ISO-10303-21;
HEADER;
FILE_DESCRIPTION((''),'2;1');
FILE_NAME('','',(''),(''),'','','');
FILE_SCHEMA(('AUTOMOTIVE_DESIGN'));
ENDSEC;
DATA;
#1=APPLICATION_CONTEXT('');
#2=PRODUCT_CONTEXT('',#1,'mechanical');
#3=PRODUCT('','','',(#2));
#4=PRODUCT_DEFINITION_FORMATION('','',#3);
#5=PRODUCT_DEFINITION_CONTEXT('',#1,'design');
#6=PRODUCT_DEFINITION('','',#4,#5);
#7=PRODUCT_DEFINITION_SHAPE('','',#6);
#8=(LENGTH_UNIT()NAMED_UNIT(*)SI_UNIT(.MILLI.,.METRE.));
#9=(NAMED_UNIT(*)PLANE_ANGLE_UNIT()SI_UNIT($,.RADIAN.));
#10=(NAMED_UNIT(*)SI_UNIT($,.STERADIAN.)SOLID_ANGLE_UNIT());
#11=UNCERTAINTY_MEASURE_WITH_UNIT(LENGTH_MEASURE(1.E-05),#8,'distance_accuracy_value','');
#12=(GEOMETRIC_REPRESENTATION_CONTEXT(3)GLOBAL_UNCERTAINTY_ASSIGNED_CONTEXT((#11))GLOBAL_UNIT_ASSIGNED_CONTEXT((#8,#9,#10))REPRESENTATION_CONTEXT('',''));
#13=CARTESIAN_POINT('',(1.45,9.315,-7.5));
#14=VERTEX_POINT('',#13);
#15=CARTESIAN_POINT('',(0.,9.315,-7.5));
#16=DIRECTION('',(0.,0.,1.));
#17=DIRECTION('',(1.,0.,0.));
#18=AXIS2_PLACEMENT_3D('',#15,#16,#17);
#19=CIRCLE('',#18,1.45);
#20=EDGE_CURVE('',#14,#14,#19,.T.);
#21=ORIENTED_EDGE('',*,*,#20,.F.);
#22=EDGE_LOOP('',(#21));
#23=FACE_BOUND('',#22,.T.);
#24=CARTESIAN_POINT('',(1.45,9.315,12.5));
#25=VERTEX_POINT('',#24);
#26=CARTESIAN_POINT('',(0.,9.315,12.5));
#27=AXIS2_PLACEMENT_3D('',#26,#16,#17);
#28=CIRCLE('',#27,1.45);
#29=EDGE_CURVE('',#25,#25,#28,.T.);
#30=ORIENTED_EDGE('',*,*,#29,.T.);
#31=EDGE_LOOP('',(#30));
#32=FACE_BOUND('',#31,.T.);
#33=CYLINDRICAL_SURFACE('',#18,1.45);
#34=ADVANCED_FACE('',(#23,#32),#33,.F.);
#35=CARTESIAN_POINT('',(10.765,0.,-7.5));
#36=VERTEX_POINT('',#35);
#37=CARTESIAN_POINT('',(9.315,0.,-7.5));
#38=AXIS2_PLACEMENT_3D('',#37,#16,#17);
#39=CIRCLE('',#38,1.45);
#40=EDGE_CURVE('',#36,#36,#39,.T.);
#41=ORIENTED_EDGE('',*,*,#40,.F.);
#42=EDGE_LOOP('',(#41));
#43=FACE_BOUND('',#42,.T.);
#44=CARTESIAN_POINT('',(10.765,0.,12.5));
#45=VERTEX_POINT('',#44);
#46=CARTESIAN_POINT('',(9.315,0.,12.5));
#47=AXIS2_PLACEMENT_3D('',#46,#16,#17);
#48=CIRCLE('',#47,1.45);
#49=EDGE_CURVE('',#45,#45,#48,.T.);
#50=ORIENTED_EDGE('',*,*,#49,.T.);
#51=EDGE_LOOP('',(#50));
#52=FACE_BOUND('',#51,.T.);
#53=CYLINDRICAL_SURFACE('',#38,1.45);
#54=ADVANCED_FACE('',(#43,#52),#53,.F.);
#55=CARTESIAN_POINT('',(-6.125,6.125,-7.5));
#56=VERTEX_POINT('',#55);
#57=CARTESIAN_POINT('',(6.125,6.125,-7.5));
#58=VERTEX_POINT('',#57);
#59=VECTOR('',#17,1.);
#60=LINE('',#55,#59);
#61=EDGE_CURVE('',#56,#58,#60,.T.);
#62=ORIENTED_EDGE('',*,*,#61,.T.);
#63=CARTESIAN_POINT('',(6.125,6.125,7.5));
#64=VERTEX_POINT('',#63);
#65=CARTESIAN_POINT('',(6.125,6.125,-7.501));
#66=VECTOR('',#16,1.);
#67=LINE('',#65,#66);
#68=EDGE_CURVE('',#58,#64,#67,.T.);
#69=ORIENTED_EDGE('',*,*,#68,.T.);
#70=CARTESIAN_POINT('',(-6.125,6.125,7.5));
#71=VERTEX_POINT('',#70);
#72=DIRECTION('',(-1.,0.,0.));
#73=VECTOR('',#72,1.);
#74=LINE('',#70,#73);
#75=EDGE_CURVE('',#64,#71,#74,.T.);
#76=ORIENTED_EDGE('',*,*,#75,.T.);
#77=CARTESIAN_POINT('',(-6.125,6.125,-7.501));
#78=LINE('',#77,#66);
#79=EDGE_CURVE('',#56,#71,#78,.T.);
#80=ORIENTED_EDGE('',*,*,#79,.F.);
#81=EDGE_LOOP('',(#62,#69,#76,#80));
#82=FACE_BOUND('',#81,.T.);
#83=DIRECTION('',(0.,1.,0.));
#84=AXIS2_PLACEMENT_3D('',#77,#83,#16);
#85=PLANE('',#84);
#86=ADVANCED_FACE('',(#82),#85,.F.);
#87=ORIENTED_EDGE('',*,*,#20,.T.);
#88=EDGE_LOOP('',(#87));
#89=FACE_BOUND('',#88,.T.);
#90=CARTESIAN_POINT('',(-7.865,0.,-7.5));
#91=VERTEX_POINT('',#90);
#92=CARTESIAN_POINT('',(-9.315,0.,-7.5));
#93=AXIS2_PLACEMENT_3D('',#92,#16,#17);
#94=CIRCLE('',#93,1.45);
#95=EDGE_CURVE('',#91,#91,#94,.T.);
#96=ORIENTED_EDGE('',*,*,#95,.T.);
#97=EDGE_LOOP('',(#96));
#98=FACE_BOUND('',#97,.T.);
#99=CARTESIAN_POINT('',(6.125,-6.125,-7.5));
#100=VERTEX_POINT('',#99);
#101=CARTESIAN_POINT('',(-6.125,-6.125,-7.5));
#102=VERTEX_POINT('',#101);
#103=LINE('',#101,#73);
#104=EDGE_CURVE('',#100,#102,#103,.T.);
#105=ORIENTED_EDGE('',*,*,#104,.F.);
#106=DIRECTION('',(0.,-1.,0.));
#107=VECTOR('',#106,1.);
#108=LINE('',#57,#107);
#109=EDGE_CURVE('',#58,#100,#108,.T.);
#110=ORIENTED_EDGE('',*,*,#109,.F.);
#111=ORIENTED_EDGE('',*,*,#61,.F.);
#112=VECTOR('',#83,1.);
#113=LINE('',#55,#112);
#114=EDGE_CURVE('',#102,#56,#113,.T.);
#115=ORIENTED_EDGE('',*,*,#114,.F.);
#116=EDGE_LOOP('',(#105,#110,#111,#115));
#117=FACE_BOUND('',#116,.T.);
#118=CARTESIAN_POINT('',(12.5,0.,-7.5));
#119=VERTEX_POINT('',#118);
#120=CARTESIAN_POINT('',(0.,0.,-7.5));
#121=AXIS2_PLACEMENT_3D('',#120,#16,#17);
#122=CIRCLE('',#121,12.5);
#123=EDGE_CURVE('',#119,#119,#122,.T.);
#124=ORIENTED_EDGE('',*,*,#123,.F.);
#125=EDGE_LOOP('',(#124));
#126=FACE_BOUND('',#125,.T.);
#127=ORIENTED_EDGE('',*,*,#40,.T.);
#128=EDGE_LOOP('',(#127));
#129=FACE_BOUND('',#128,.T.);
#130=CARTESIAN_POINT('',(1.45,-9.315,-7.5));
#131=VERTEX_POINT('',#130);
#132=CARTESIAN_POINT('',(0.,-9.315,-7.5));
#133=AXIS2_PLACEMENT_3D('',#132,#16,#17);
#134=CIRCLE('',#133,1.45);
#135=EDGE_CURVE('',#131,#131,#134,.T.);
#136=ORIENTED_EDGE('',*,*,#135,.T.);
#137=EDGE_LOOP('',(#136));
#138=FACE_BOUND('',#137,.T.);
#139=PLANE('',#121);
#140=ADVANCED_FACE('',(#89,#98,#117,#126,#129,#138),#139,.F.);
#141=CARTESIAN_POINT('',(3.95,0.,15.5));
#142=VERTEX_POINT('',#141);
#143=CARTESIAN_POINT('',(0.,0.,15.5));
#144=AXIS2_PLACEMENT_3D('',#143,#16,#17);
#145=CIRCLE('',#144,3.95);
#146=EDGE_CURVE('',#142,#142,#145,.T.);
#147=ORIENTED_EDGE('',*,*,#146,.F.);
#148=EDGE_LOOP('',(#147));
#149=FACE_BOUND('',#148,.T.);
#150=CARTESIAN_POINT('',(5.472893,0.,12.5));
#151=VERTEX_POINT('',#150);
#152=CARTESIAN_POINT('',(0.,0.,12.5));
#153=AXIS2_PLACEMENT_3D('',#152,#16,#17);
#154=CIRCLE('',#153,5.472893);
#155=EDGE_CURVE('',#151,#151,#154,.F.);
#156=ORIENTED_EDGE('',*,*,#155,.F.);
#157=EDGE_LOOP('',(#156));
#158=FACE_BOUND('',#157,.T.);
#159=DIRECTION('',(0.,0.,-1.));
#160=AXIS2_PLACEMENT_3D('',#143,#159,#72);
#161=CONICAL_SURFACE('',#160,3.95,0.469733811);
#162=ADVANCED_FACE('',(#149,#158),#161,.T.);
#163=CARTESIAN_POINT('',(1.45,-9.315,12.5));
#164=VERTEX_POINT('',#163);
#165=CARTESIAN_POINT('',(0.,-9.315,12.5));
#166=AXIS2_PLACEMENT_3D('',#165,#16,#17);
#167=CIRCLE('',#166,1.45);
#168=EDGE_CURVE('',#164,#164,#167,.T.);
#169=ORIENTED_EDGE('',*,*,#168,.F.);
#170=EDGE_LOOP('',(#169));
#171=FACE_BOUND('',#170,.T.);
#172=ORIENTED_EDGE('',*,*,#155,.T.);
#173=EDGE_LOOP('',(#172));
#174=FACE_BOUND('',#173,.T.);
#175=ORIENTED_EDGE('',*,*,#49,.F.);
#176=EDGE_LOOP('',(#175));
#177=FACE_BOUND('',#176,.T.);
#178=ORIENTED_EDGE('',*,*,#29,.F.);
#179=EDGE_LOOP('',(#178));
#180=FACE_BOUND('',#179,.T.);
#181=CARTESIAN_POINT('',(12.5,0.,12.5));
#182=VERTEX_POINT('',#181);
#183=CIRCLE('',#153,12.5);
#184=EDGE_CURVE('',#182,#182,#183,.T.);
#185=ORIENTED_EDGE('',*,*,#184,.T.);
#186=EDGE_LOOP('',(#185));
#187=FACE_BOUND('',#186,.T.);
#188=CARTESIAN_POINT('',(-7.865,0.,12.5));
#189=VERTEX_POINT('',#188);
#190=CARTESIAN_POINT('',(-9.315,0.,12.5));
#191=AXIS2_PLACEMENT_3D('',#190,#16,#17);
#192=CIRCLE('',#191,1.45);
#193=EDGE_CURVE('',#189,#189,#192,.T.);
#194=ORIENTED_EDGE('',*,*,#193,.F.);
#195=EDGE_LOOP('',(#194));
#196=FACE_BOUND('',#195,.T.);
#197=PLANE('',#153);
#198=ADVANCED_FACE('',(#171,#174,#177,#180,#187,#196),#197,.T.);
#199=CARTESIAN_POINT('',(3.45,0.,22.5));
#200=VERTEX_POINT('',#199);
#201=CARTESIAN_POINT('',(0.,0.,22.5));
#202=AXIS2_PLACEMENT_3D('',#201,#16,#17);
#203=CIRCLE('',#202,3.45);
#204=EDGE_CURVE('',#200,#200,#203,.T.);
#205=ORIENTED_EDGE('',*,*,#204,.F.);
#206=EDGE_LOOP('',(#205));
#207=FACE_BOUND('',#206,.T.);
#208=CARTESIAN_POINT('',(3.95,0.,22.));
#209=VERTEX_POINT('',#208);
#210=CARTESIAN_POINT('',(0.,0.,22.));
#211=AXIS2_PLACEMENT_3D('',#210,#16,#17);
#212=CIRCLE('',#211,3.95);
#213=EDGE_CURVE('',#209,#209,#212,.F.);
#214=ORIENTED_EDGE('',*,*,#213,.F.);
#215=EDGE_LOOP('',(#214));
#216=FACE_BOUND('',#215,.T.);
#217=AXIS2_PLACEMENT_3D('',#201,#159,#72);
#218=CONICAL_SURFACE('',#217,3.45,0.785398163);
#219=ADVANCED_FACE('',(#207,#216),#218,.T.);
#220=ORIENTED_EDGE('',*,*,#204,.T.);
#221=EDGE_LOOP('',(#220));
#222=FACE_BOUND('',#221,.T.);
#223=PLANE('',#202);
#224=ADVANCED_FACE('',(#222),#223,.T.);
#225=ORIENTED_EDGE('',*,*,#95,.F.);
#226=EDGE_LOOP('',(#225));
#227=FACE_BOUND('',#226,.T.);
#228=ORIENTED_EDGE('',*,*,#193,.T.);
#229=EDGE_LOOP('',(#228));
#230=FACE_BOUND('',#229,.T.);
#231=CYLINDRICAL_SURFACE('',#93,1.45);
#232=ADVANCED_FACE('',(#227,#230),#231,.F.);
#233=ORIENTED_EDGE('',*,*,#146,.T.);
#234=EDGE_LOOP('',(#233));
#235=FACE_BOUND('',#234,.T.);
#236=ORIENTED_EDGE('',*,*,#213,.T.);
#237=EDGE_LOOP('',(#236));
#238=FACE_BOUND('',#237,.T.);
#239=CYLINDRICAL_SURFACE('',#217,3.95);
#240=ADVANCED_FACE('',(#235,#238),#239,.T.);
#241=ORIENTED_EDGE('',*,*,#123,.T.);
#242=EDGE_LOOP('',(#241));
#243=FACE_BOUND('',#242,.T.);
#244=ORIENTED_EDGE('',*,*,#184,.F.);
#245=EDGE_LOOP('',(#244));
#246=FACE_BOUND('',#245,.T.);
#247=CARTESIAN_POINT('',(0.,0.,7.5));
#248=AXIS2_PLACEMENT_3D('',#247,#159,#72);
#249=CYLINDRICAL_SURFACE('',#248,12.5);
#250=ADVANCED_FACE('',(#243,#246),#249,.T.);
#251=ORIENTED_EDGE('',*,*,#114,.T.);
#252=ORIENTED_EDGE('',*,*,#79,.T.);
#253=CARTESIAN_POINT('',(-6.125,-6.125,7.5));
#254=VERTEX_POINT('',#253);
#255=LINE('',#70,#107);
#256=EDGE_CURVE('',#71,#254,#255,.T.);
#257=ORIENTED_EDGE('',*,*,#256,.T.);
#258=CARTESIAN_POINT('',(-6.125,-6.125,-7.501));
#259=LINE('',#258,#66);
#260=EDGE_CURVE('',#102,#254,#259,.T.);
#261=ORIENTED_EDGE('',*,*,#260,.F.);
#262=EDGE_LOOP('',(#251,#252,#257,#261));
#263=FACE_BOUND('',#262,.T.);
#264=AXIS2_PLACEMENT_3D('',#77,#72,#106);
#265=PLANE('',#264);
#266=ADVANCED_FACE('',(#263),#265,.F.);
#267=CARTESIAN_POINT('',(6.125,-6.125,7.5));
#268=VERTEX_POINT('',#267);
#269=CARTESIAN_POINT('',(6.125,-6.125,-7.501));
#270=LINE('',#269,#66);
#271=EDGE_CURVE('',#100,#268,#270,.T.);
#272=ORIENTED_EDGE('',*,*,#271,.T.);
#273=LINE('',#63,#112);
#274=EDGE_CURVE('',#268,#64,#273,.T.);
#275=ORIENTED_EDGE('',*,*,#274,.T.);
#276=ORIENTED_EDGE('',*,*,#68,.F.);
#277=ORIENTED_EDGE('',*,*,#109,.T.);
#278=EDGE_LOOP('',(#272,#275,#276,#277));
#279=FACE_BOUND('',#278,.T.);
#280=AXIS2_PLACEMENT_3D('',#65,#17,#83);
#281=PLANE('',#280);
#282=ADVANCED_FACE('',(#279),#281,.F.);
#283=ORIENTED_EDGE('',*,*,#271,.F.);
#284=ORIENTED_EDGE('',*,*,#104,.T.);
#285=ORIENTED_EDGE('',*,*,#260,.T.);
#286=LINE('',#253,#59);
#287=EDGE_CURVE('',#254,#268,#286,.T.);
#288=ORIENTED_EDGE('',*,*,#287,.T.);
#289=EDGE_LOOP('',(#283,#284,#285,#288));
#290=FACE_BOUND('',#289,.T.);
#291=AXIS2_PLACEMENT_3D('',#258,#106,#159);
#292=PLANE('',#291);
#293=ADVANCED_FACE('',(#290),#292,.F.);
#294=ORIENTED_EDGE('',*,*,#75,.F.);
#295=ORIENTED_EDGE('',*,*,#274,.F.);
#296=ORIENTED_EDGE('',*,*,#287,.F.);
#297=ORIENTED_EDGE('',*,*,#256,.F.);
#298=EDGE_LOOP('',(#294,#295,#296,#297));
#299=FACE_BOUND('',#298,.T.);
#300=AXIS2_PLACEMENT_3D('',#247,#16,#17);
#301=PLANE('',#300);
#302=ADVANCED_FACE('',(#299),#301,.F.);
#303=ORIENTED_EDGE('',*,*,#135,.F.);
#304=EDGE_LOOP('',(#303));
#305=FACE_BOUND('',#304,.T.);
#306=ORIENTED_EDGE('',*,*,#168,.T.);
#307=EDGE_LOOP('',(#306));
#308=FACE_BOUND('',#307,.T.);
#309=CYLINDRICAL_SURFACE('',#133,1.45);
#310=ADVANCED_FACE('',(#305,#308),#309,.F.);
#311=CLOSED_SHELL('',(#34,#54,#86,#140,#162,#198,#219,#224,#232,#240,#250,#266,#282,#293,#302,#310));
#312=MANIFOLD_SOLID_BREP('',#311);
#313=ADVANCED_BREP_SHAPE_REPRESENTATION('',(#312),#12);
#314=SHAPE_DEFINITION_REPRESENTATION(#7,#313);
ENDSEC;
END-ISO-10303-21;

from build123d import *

# Parameters (mm, degrees)
SKETCH1_R           = 12.5
BOSS_EXTRUDE1_DEPTH = 7.5
CUT_EXTRUDE1_REACH  = 25.184
SKETCH8_W           = 12.25
SKETCH8_H           = 12.25
SKETCH11_R          = 1.45
CUT_EXTRUDE4_DEPTH  = 24.184046239
BOSS_EXTRUDE2_START = 5
SKETCH14_R          = 12.5
BOSS_EXTRUDE2_DEPTH = 5
SKETCH15_R          = 3.95
BOSS_EXTRUDE3_DEPTH = 7
CHAMFER1_SIZE       = 0.5
SKETCH18_R          = 1.45
CUT_EXTRUDE6_DEPTH  = 30


with BuildPart() as part:
    # Sketch1 → Boss-Extrude1 (new, symmetric)
    with BuildSketch(Plane.XY):
        Circle(SKETCH1_R)
    extrude(amount=BOSS_EXTRUDE1_DEPTH, both=True)

    # Sketch8 → Cut-Extrude1 (cut, up to next)
    with BuildSketch(Plane.XY.offset(7.5), mode=Mode.PRIVATE) as cut_extrude1_sk1:
        Rectangle(SKETCH8_W, SKETCH8_H)
    cut_extrude1_tool1 = extrude(cut_extrude1_sk1.sketch, amount=-CUT_EXTRUDE1_REACH, mode=Mode.PRIVATE) & part.part
    add(cut_extrude1_tool1.solids().sort_by_distance((0, 0, 7.5))[0], mode=Mode.SUBTRACT)

    # Sketch11 → Cut-Extrude4 (cut, through all)
    with BuildSketch(Plane.XY.offset(7.5)):
        with Locations((9.315, 0)):
            Circle(SKETCH11_R)
        with Locations((0, -9.315)):
            Circle(SKETCH11_R)
        with Locations((-9.315, 0)):
            Circle(SKETCH11_R)
        with Locations((0, 9.315)):
            Circle(SKETCH11_R)
    extrude(amount=-CUT_EXTRUDE4_DEPTH, mode=Mode.SUBTRACT)

    # Sketch14 → Boss-Extrude2 (add)
    with BuildSketch(Plane.XY.offset(7.5).offset(BOSS_EXTRUDE2_START)):
        Circle(SKETCH14_R)
    extrude(amount=-BOSS_EXTRUDE2_DEPTH)

    # Sketch13 → Revolve1 (revolve)
    with BuildSketch(Plane(origin=(0, 0, 0), x_dir=(1, 0, 0), z_dir=(0, 1, 0)), mode=Mode.PRIVATE) as revolve1_sk:
        Polygon((0, -15.5), (3.95, -15.5), (7.5, -8.506732209), (0, -8.506732209), align=None)
    revolve(revolve1_sk.sketch.rotate(Axis((0, 0, 11.965062333), (0, 0, 1)), 180), axis=Axis((0, 0, 11.965062333), (0, 0, 1)))

    # Sketch15 → Boss-Extrude3 (add)
    with BuildSketch(Plane.XY.offset(15.5)):
        Circle(SKETCH15_R)
    extrude(amount=BOSS_EXTRUDE3_DEPTH)

    # Chamfer1
    chamfer1_edges = [part.edges().sort_by_distance(p)[0] for p in [
        (-3.95, 0, 22.5),
    ]]
    chamfer(chamfer1_edges, length=CHAMFER1_SIZE)

    # Sketch18 → Cut-Extrude6 (cut)
    with BuildSketch(Plane.XY.offset(12.5)):
        with Locations((-9.315, 0)):
            Circle(SKETCH18_R)
        with Locations((0, -9.315)):
            Circle(SKETCH18_R)
        with Locations((9.315, 0)):
            Circle(SKETCH18_R)
        with Locations((0, 9.315)):
            Circle(SKETCH18_R)
    extrude(amount=-CUT_EXTRUDE6_DEPTH, mode=Mode.SUBTRACT)


solid = part.part
